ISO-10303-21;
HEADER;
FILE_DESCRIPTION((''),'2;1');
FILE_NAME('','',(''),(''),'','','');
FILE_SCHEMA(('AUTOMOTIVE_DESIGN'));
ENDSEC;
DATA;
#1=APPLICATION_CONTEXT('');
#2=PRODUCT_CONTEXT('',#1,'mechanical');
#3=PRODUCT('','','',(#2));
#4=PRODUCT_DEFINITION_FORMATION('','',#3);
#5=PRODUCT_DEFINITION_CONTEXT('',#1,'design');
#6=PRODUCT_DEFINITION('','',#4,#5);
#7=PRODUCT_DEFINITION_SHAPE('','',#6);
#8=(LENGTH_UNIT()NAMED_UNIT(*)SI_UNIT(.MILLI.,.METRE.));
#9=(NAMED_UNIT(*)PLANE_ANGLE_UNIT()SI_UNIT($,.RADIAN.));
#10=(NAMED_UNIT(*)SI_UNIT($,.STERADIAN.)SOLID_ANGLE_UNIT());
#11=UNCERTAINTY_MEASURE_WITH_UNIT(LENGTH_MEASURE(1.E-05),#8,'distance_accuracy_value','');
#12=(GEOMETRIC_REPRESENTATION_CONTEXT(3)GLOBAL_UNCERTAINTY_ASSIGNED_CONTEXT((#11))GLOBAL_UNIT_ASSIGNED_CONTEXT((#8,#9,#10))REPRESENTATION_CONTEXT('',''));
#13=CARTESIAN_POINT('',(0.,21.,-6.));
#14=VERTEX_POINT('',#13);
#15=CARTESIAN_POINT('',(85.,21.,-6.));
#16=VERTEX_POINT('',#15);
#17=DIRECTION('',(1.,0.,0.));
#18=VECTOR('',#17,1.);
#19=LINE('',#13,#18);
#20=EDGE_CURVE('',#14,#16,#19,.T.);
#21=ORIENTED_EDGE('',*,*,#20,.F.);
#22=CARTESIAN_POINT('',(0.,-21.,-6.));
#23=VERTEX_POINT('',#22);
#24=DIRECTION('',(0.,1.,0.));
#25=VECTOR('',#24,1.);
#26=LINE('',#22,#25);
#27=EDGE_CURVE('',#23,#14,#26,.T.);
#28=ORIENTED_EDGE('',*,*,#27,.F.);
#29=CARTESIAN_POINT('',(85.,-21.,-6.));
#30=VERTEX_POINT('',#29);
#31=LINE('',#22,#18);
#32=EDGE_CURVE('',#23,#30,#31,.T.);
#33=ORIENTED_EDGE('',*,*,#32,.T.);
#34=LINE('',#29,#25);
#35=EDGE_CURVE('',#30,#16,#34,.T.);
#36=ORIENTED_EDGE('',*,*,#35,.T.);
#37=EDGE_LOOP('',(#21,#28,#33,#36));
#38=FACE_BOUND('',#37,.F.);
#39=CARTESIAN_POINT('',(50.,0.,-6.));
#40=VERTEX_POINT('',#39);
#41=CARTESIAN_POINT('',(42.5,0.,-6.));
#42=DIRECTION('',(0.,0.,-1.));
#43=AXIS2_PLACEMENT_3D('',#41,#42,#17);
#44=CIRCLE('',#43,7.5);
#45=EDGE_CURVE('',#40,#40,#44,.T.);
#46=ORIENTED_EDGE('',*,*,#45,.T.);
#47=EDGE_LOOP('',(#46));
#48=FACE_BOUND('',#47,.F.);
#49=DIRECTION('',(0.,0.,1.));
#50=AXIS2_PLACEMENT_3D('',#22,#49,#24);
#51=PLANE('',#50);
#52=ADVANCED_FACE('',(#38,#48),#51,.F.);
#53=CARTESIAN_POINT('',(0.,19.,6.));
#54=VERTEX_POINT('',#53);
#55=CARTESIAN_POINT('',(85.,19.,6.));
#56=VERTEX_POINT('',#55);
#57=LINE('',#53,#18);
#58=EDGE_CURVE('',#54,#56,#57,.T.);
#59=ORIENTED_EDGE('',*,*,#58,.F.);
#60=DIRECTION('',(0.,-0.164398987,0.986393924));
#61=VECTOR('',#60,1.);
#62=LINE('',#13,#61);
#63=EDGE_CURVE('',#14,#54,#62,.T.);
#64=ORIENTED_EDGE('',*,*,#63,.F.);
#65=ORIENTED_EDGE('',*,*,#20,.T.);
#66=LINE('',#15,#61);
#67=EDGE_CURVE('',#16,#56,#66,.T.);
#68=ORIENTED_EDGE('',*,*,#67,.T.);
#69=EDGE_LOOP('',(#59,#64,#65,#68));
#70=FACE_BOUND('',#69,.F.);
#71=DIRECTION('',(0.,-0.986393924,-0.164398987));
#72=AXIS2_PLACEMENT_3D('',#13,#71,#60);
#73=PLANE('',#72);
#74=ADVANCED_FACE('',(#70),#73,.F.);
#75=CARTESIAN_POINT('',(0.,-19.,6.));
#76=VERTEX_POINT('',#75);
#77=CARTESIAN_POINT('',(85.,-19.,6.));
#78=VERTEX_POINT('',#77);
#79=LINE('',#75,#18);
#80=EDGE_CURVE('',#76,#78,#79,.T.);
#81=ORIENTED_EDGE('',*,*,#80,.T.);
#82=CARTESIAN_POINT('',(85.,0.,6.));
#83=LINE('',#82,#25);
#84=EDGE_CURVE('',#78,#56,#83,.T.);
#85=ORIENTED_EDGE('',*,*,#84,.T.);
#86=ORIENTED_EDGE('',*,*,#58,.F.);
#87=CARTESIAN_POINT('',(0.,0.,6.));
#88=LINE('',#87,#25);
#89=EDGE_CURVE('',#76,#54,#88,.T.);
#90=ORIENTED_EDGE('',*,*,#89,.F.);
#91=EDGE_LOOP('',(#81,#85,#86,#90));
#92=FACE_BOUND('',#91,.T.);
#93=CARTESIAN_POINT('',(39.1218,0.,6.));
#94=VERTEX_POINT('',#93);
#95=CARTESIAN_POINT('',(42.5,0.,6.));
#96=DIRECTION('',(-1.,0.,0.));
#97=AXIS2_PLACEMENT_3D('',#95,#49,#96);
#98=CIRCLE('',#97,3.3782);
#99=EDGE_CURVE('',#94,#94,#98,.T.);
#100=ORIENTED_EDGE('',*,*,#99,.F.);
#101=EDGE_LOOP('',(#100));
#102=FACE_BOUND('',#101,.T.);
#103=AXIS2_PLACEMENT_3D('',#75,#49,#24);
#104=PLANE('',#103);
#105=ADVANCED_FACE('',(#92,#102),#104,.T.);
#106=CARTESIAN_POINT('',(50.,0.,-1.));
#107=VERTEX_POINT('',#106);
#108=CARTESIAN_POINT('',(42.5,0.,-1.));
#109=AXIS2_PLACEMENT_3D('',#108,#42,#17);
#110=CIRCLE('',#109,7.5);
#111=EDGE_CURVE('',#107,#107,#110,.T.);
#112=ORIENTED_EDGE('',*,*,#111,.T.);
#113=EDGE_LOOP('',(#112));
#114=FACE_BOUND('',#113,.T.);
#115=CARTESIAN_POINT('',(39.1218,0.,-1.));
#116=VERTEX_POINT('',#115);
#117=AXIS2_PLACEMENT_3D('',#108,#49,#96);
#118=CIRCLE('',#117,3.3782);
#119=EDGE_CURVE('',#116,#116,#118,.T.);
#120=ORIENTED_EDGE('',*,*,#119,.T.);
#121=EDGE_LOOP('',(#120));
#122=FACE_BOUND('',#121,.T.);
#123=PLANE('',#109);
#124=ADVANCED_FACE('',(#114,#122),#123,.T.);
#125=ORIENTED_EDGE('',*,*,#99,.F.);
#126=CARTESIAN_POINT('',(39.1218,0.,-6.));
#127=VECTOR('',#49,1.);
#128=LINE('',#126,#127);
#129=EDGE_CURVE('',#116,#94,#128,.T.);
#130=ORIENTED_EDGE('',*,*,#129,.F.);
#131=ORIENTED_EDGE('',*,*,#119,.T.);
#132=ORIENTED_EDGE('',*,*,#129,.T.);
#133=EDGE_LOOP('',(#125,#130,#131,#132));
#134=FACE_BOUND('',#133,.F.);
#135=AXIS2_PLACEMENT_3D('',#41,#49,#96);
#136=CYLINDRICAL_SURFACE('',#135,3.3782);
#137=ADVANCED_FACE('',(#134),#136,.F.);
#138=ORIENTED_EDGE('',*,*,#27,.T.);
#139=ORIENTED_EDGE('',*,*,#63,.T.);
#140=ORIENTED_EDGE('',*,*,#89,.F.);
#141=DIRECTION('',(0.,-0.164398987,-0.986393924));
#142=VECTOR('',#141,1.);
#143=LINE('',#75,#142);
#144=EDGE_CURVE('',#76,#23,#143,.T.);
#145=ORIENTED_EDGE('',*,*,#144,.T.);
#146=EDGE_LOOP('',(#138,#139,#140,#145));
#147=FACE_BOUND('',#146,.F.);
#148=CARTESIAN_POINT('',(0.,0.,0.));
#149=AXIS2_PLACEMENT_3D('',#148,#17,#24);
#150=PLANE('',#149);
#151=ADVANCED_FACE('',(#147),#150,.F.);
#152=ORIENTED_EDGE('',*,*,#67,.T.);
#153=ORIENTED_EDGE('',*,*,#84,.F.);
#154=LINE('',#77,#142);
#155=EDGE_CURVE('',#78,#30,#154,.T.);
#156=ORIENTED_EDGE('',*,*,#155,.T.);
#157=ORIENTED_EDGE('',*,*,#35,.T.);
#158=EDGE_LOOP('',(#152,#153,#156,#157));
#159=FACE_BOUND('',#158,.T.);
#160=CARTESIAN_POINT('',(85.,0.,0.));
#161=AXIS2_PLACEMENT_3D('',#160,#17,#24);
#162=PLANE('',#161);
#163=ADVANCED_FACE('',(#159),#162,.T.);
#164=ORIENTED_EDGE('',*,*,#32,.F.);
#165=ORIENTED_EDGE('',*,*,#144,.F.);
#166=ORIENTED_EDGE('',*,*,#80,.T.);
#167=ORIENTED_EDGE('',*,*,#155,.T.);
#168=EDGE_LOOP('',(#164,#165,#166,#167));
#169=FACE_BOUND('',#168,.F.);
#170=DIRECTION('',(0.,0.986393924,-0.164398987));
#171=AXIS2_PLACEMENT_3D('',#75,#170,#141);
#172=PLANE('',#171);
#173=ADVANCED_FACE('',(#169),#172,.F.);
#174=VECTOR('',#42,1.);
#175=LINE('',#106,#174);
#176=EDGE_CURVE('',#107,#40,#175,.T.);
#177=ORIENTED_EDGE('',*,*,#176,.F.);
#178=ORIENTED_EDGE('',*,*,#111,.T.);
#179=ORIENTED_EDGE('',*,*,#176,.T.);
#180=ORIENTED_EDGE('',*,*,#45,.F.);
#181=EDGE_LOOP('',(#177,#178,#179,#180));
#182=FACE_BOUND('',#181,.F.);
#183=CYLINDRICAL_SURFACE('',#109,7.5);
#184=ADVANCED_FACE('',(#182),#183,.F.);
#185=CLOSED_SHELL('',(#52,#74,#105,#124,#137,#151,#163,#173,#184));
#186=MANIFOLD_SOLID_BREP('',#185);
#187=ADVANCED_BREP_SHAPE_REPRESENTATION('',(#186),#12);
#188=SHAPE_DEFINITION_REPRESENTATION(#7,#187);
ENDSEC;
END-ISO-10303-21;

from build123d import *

# Parameters (mm, degrees)
F0_W           = 38
F0_H           = 12
F1_DEPTH       = 85
F3_D           = 6.7564
F3_CBORE_D     = 15
F3_CBORE_DEPTH = 5


with BuildPart() as f1:
    # F0 (on Right) → F1 (new body)
    with BuildSketch(Plane.YZ):
        Rectangle(F0_W, F0_H)
        Polygon((21, -6), (19, 6), (19, -6), align=None)
        Polygon((-19, -6), (-19, 6), (-21, -6), align=None)
    extrude(amount=F1_DEPTH)

    # F3 (through all)
    with Locations(Plane(origin=(0, 0, -6), x_dir=(1, 0, 0), z_dir=(0, 0, -1))):
        with Locations((42.5, 0)):
            CounterBoreHole(F3_D / 2, F3_CBORE_D / 2, F3_CBORE_DEPTH)


solid = f1.part
